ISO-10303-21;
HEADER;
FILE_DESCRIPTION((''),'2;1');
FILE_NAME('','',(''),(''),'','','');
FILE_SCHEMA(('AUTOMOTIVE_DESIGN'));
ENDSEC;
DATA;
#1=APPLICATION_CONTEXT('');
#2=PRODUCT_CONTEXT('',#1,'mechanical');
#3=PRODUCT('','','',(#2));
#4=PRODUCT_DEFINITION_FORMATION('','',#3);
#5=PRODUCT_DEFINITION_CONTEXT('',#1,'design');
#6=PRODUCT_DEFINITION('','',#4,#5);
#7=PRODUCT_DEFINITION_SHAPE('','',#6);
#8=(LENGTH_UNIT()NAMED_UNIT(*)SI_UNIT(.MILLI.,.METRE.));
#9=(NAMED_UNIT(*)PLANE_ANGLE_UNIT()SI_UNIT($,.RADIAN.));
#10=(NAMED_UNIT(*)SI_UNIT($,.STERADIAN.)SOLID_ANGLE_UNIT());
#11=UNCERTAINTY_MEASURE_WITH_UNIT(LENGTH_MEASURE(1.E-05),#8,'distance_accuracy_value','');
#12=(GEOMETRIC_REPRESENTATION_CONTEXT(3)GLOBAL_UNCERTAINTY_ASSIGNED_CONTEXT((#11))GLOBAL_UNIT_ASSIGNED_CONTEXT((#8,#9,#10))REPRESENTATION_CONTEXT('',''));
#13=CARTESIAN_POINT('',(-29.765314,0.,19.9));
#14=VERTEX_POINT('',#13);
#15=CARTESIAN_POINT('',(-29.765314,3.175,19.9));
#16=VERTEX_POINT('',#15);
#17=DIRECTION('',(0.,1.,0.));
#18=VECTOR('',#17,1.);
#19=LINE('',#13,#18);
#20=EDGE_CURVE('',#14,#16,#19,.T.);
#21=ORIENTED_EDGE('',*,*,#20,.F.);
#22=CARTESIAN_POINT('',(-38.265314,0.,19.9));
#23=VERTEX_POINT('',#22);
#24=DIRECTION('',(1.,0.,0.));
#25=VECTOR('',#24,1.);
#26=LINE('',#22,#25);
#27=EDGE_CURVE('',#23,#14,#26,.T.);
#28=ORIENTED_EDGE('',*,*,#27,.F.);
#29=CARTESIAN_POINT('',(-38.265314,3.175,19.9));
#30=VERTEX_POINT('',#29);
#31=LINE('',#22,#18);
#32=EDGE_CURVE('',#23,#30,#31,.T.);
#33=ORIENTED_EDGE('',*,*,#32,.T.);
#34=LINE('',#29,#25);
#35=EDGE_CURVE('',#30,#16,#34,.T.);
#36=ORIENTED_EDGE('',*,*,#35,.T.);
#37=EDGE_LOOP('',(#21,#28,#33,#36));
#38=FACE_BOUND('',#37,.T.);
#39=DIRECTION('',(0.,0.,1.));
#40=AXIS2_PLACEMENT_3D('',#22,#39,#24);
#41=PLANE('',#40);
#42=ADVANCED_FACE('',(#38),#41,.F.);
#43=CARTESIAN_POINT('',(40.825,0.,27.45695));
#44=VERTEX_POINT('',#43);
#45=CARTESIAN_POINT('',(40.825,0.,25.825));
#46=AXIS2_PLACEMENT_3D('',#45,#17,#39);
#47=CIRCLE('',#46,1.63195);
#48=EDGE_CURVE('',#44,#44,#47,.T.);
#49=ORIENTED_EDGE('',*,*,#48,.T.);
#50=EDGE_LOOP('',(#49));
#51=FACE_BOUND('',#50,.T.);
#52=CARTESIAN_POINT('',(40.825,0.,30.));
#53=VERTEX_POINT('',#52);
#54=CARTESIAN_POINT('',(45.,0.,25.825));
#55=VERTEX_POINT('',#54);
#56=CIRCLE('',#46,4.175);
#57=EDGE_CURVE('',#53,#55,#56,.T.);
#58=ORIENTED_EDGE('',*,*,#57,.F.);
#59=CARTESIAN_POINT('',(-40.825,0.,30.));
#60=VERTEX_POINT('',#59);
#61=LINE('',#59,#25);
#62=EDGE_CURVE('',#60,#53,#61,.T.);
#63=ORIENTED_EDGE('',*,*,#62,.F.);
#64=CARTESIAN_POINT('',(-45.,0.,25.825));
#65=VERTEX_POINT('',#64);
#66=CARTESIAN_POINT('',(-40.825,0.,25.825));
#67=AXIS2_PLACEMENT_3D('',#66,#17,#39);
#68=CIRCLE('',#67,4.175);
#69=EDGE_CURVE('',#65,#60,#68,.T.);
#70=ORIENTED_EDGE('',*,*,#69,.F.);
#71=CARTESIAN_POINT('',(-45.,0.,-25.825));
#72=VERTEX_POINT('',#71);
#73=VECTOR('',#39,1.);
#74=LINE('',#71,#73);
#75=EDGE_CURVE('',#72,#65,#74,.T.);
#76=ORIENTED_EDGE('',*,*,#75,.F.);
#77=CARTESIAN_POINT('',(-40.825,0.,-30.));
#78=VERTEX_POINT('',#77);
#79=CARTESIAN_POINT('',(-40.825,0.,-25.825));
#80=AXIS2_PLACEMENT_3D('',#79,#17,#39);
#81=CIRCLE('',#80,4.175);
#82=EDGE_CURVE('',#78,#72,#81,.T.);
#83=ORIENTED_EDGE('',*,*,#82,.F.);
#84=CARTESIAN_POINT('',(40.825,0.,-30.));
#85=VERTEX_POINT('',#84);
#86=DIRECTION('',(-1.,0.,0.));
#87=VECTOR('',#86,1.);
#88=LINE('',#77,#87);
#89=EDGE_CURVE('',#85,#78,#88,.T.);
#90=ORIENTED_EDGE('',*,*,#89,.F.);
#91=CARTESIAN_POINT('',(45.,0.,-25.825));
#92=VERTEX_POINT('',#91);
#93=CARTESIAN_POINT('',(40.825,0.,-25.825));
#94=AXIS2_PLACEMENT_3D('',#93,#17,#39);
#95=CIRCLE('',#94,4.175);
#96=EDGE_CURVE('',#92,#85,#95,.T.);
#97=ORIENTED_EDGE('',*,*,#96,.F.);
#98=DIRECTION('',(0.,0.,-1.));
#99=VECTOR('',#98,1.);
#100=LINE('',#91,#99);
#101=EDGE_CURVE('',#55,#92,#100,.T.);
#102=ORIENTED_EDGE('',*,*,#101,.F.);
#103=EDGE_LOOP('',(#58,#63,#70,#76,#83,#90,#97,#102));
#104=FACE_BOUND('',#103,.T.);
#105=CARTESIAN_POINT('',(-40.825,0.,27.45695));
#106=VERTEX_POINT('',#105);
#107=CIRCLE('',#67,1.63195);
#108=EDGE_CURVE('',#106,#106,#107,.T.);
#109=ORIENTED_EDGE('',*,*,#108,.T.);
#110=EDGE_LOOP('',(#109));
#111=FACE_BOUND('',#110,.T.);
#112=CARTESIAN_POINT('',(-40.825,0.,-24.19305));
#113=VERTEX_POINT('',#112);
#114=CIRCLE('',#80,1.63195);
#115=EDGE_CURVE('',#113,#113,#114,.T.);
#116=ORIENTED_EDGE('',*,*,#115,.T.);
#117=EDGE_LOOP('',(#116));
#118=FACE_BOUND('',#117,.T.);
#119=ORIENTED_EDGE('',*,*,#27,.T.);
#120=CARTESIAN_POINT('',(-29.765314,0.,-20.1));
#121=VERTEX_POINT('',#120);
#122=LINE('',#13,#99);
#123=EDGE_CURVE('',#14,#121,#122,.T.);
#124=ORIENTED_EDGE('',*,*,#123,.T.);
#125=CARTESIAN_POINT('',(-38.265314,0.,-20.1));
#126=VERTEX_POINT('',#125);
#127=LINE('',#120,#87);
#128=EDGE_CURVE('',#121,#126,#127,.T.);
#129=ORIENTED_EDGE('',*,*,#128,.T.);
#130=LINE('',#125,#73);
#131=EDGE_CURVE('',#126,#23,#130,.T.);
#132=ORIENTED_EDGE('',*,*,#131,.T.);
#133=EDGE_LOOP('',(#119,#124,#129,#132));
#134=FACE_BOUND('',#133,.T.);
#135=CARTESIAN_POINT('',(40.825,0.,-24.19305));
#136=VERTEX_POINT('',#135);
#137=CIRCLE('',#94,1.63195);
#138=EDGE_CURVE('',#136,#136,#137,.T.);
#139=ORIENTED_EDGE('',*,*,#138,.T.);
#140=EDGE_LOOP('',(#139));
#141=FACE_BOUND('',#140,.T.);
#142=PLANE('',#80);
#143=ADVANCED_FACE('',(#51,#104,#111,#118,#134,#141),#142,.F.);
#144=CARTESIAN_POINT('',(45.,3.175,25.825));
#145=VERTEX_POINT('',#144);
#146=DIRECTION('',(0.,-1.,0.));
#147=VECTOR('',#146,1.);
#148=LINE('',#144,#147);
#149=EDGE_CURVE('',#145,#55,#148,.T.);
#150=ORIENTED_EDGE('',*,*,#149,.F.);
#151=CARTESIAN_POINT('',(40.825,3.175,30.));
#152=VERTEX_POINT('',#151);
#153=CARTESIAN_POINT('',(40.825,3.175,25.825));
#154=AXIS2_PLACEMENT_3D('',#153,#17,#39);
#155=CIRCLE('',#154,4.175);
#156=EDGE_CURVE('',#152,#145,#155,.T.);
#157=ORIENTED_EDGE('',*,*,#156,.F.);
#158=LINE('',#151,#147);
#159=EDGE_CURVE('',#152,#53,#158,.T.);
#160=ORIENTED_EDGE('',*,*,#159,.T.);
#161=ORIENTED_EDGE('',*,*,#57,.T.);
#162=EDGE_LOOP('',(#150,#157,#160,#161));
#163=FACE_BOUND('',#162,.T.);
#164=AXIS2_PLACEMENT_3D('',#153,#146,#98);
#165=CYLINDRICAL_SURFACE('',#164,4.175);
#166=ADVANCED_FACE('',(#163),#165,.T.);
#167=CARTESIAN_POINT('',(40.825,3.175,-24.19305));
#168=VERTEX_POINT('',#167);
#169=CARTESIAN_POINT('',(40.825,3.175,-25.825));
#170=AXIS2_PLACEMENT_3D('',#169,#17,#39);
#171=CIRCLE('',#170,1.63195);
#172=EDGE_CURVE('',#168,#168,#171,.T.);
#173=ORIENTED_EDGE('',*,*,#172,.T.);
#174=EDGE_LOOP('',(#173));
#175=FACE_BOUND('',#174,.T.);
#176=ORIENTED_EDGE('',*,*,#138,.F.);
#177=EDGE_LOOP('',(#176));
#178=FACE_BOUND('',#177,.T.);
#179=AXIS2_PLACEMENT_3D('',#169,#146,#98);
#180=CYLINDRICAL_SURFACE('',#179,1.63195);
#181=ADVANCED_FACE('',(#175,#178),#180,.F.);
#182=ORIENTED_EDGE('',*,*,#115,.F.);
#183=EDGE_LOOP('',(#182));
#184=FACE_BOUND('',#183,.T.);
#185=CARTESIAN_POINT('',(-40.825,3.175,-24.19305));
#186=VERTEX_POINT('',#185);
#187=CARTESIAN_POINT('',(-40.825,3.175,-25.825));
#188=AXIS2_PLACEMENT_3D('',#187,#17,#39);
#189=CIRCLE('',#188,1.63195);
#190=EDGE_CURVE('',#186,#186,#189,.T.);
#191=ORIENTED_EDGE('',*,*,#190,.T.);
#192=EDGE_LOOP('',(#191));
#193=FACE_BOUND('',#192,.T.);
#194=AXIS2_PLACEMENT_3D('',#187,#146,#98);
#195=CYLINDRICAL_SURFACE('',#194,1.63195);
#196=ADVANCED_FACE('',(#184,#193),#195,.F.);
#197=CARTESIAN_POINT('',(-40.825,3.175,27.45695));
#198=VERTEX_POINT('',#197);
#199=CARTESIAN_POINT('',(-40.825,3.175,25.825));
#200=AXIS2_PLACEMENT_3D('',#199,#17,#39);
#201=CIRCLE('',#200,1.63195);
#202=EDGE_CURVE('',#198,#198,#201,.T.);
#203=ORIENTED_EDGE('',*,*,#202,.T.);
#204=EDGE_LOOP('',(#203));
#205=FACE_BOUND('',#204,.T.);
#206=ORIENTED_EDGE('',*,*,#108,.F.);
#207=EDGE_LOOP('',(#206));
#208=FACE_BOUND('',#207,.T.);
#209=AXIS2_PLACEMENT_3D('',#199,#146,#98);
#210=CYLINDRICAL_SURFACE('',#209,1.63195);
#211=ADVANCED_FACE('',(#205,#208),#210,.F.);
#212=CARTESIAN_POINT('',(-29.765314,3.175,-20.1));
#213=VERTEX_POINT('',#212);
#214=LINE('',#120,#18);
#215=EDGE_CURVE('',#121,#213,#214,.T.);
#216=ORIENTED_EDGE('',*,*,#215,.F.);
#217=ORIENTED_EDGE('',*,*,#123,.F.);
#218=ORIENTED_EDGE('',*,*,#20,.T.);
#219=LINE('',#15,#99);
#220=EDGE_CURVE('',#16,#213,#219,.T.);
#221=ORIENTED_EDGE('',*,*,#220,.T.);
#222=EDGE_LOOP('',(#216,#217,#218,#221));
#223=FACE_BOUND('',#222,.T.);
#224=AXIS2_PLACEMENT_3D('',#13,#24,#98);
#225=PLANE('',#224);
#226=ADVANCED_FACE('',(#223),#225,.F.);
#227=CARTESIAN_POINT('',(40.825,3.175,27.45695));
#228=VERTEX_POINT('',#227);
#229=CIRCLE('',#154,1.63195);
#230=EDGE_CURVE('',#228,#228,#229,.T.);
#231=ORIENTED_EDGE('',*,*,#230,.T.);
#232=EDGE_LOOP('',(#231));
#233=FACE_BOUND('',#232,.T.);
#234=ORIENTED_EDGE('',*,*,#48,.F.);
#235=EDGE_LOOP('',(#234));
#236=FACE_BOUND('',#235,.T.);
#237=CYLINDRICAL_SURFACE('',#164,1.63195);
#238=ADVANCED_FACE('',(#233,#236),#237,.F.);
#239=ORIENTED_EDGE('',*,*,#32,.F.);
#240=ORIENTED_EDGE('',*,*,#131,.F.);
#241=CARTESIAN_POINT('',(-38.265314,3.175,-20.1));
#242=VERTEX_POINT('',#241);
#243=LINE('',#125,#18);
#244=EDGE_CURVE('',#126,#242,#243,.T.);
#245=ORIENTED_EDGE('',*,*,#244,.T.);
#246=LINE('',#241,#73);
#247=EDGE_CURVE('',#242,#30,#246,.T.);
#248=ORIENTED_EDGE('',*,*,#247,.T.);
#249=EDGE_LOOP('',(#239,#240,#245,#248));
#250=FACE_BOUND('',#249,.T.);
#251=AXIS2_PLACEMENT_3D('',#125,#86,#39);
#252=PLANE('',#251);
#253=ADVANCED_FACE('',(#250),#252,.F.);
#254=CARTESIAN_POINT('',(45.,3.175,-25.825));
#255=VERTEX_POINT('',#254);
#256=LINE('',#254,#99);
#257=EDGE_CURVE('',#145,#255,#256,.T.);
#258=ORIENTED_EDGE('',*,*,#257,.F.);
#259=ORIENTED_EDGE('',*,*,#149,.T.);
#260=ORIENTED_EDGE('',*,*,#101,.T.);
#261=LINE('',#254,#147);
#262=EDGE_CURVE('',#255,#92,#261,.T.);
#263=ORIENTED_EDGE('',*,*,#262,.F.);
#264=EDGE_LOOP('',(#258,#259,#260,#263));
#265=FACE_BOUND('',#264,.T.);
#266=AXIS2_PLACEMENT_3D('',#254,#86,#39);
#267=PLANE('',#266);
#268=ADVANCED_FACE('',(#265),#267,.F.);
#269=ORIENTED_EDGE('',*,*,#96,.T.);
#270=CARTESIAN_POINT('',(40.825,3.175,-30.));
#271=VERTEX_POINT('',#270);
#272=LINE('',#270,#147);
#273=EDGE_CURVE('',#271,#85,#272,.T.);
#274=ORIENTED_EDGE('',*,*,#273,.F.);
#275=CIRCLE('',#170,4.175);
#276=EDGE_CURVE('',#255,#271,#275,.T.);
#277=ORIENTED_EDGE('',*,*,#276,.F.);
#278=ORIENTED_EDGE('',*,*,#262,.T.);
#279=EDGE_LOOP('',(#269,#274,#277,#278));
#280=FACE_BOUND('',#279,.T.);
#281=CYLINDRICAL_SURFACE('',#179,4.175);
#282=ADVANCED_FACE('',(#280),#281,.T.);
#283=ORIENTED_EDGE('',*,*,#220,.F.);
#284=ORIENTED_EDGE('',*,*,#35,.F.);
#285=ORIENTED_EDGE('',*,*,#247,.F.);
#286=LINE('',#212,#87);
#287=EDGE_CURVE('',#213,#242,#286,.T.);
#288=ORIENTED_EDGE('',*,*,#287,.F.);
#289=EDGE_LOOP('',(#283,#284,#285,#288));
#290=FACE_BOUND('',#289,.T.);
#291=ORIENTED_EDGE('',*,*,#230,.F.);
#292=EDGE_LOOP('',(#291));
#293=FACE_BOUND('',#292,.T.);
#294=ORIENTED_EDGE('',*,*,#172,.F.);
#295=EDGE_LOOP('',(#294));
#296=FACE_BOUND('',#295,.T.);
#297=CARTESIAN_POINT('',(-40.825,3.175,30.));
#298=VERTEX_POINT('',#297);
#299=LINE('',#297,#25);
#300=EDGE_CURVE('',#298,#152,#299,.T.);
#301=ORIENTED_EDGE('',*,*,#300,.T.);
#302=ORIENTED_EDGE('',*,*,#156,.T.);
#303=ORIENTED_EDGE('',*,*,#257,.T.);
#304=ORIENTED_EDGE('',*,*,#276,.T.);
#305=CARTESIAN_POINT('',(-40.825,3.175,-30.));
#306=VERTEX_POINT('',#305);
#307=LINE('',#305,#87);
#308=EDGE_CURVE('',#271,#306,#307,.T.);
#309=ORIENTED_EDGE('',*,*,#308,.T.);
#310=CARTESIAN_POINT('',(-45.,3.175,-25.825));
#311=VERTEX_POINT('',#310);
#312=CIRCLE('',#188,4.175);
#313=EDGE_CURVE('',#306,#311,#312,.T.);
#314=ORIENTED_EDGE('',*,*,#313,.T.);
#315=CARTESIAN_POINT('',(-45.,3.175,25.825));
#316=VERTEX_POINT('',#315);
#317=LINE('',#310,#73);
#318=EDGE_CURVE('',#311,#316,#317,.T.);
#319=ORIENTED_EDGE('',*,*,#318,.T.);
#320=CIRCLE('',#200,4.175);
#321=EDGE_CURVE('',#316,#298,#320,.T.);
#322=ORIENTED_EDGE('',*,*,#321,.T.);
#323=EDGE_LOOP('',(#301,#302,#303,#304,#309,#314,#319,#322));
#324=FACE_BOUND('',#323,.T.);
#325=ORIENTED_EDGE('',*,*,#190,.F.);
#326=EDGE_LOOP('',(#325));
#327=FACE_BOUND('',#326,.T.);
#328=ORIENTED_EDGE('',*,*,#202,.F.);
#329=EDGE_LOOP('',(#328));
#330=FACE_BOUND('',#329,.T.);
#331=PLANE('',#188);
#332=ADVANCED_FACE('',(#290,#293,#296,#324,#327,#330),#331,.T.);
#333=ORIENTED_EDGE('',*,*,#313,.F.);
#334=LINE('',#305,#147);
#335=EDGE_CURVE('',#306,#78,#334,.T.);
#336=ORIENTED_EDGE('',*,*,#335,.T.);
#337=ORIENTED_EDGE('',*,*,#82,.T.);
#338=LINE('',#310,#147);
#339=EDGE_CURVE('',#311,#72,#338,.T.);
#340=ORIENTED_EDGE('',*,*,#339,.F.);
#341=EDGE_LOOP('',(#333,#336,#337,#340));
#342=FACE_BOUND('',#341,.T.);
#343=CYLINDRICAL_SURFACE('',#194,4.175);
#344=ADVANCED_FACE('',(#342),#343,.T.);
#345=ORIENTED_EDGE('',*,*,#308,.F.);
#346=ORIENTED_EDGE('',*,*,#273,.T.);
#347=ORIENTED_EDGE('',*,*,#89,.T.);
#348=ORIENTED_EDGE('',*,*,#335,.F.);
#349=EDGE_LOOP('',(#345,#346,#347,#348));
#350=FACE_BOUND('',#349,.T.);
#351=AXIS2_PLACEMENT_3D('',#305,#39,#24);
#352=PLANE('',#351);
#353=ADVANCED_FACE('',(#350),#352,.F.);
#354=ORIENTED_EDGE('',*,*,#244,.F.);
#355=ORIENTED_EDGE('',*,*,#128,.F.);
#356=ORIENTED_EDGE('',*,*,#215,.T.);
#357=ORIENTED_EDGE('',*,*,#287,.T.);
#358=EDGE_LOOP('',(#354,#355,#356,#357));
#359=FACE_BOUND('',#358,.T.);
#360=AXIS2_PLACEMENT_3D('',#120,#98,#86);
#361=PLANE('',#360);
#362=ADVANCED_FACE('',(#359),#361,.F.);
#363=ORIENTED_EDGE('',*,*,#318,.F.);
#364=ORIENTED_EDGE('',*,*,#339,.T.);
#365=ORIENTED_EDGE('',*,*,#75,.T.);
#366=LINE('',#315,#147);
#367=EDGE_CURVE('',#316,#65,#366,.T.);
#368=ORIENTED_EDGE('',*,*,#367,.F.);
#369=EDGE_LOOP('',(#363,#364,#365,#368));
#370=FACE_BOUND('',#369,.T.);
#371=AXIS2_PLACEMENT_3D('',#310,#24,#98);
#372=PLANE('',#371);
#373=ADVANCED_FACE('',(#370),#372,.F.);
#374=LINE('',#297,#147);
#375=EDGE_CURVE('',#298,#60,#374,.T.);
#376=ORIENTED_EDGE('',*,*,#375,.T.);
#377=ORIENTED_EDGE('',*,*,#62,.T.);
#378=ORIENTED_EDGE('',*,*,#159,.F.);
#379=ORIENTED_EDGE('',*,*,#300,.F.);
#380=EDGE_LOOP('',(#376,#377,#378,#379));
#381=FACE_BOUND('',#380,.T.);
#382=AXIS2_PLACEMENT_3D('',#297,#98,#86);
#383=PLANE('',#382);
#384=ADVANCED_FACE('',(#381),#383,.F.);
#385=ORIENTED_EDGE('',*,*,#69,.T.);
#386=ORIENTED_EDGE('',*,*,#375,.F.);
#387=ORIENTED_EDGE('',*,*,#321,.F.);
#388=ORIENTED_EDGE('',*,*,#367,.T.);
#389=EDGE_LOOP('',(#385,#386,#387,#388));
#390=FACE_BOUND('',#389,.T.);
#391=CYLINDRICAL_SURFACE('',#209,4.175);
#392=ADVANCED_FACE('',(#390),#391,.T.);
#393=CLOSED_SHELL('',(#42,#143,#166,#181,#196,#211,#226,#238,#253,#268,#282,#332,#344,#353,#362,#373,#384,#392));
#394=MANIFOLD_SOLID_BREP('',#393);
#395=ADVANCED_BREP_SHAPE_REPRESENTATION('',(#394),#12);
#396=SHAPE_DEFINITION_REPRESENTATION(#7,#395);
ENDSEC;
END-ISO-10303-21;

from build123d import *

# Parameters (mm, degrees)
SKETCH2_R           = 1.63195
BOSS_EXTRUDE3_DEPTH = 3.175
SKETCH3_W           = 8.5
SKETCH3_H           = 40
CUT_EXTRUDE1_DEPTH  = 55.176384385


with BuildPart() as part:
    # Sketch2 → Boss-Extrude3 (new body)
    with BuildSketch(Plane(origin=(0, 0, 0), x_dir=(1, 0, 0), z_dir=(0, 1, 0))):
        with BuildLine():
            Line((-45, 25.825), (-45, -25.825))
            ThreePointArc((-45, -25.825), (-43.777170811, -28.777170811), (-40.825, -30))
            Line((-40.825, -30), (40.825, -30))
            ThreePointArc((40.825, -30), (43.777170811, -28.777170811), (45, -25.825))
            Line((45, -25.825), (45, 25.825))
            ThreePointArc((45, 25.825), (43.777170811, 28.777170811), (40.825, 30))
            Line((40.825, 30), (-40.825, 30))
            ThreePointArc((-40.825, 30), (-43.777170811, 28.777170811), (-45, 25.825))
        make_face()
        with Locations(Location((40.825, 25.825, 0), (0, 0, 270))):
            Circle(SKETCH2_R, mode=Mode.SUBTRACT)
        with Locations(Location((40.825, -25.825, 0), (0, 0, 270))):
            Circle(SKETCH2_R, mode=Mode.SUBTRACT)
        with Locations(Location((-40.825, 25.825, 0), (0, 0, 270))):
            Circle(SKETCH2_R, mode=Mode.SUBTRACT)
        with Locations(Location((-40.825, -25.825, 0), (0, 0, 270))):
            Circle(SKETCH2_R, mode=Mode.SUBTRACT)
    extrude(amount=BOSS_EXTRUDE3_DEPTH)

    # Sketch3 → Cut-Extrude1 (cut, through all)
    with BuildSketch(Plane(origin=(0, 3.175, 0), x_dir=(1, 0, 0), z_dir=(0, 1, 0))):
        with Locations((-34.015313808, 0.1)):
            Rectangle(SKETCH3_W, SKETCH3_H)
    extrude(amount=-CUT_EXTRUDE1_DEPTH, mode=Mode.SUBTRACT)


solid = part.part
